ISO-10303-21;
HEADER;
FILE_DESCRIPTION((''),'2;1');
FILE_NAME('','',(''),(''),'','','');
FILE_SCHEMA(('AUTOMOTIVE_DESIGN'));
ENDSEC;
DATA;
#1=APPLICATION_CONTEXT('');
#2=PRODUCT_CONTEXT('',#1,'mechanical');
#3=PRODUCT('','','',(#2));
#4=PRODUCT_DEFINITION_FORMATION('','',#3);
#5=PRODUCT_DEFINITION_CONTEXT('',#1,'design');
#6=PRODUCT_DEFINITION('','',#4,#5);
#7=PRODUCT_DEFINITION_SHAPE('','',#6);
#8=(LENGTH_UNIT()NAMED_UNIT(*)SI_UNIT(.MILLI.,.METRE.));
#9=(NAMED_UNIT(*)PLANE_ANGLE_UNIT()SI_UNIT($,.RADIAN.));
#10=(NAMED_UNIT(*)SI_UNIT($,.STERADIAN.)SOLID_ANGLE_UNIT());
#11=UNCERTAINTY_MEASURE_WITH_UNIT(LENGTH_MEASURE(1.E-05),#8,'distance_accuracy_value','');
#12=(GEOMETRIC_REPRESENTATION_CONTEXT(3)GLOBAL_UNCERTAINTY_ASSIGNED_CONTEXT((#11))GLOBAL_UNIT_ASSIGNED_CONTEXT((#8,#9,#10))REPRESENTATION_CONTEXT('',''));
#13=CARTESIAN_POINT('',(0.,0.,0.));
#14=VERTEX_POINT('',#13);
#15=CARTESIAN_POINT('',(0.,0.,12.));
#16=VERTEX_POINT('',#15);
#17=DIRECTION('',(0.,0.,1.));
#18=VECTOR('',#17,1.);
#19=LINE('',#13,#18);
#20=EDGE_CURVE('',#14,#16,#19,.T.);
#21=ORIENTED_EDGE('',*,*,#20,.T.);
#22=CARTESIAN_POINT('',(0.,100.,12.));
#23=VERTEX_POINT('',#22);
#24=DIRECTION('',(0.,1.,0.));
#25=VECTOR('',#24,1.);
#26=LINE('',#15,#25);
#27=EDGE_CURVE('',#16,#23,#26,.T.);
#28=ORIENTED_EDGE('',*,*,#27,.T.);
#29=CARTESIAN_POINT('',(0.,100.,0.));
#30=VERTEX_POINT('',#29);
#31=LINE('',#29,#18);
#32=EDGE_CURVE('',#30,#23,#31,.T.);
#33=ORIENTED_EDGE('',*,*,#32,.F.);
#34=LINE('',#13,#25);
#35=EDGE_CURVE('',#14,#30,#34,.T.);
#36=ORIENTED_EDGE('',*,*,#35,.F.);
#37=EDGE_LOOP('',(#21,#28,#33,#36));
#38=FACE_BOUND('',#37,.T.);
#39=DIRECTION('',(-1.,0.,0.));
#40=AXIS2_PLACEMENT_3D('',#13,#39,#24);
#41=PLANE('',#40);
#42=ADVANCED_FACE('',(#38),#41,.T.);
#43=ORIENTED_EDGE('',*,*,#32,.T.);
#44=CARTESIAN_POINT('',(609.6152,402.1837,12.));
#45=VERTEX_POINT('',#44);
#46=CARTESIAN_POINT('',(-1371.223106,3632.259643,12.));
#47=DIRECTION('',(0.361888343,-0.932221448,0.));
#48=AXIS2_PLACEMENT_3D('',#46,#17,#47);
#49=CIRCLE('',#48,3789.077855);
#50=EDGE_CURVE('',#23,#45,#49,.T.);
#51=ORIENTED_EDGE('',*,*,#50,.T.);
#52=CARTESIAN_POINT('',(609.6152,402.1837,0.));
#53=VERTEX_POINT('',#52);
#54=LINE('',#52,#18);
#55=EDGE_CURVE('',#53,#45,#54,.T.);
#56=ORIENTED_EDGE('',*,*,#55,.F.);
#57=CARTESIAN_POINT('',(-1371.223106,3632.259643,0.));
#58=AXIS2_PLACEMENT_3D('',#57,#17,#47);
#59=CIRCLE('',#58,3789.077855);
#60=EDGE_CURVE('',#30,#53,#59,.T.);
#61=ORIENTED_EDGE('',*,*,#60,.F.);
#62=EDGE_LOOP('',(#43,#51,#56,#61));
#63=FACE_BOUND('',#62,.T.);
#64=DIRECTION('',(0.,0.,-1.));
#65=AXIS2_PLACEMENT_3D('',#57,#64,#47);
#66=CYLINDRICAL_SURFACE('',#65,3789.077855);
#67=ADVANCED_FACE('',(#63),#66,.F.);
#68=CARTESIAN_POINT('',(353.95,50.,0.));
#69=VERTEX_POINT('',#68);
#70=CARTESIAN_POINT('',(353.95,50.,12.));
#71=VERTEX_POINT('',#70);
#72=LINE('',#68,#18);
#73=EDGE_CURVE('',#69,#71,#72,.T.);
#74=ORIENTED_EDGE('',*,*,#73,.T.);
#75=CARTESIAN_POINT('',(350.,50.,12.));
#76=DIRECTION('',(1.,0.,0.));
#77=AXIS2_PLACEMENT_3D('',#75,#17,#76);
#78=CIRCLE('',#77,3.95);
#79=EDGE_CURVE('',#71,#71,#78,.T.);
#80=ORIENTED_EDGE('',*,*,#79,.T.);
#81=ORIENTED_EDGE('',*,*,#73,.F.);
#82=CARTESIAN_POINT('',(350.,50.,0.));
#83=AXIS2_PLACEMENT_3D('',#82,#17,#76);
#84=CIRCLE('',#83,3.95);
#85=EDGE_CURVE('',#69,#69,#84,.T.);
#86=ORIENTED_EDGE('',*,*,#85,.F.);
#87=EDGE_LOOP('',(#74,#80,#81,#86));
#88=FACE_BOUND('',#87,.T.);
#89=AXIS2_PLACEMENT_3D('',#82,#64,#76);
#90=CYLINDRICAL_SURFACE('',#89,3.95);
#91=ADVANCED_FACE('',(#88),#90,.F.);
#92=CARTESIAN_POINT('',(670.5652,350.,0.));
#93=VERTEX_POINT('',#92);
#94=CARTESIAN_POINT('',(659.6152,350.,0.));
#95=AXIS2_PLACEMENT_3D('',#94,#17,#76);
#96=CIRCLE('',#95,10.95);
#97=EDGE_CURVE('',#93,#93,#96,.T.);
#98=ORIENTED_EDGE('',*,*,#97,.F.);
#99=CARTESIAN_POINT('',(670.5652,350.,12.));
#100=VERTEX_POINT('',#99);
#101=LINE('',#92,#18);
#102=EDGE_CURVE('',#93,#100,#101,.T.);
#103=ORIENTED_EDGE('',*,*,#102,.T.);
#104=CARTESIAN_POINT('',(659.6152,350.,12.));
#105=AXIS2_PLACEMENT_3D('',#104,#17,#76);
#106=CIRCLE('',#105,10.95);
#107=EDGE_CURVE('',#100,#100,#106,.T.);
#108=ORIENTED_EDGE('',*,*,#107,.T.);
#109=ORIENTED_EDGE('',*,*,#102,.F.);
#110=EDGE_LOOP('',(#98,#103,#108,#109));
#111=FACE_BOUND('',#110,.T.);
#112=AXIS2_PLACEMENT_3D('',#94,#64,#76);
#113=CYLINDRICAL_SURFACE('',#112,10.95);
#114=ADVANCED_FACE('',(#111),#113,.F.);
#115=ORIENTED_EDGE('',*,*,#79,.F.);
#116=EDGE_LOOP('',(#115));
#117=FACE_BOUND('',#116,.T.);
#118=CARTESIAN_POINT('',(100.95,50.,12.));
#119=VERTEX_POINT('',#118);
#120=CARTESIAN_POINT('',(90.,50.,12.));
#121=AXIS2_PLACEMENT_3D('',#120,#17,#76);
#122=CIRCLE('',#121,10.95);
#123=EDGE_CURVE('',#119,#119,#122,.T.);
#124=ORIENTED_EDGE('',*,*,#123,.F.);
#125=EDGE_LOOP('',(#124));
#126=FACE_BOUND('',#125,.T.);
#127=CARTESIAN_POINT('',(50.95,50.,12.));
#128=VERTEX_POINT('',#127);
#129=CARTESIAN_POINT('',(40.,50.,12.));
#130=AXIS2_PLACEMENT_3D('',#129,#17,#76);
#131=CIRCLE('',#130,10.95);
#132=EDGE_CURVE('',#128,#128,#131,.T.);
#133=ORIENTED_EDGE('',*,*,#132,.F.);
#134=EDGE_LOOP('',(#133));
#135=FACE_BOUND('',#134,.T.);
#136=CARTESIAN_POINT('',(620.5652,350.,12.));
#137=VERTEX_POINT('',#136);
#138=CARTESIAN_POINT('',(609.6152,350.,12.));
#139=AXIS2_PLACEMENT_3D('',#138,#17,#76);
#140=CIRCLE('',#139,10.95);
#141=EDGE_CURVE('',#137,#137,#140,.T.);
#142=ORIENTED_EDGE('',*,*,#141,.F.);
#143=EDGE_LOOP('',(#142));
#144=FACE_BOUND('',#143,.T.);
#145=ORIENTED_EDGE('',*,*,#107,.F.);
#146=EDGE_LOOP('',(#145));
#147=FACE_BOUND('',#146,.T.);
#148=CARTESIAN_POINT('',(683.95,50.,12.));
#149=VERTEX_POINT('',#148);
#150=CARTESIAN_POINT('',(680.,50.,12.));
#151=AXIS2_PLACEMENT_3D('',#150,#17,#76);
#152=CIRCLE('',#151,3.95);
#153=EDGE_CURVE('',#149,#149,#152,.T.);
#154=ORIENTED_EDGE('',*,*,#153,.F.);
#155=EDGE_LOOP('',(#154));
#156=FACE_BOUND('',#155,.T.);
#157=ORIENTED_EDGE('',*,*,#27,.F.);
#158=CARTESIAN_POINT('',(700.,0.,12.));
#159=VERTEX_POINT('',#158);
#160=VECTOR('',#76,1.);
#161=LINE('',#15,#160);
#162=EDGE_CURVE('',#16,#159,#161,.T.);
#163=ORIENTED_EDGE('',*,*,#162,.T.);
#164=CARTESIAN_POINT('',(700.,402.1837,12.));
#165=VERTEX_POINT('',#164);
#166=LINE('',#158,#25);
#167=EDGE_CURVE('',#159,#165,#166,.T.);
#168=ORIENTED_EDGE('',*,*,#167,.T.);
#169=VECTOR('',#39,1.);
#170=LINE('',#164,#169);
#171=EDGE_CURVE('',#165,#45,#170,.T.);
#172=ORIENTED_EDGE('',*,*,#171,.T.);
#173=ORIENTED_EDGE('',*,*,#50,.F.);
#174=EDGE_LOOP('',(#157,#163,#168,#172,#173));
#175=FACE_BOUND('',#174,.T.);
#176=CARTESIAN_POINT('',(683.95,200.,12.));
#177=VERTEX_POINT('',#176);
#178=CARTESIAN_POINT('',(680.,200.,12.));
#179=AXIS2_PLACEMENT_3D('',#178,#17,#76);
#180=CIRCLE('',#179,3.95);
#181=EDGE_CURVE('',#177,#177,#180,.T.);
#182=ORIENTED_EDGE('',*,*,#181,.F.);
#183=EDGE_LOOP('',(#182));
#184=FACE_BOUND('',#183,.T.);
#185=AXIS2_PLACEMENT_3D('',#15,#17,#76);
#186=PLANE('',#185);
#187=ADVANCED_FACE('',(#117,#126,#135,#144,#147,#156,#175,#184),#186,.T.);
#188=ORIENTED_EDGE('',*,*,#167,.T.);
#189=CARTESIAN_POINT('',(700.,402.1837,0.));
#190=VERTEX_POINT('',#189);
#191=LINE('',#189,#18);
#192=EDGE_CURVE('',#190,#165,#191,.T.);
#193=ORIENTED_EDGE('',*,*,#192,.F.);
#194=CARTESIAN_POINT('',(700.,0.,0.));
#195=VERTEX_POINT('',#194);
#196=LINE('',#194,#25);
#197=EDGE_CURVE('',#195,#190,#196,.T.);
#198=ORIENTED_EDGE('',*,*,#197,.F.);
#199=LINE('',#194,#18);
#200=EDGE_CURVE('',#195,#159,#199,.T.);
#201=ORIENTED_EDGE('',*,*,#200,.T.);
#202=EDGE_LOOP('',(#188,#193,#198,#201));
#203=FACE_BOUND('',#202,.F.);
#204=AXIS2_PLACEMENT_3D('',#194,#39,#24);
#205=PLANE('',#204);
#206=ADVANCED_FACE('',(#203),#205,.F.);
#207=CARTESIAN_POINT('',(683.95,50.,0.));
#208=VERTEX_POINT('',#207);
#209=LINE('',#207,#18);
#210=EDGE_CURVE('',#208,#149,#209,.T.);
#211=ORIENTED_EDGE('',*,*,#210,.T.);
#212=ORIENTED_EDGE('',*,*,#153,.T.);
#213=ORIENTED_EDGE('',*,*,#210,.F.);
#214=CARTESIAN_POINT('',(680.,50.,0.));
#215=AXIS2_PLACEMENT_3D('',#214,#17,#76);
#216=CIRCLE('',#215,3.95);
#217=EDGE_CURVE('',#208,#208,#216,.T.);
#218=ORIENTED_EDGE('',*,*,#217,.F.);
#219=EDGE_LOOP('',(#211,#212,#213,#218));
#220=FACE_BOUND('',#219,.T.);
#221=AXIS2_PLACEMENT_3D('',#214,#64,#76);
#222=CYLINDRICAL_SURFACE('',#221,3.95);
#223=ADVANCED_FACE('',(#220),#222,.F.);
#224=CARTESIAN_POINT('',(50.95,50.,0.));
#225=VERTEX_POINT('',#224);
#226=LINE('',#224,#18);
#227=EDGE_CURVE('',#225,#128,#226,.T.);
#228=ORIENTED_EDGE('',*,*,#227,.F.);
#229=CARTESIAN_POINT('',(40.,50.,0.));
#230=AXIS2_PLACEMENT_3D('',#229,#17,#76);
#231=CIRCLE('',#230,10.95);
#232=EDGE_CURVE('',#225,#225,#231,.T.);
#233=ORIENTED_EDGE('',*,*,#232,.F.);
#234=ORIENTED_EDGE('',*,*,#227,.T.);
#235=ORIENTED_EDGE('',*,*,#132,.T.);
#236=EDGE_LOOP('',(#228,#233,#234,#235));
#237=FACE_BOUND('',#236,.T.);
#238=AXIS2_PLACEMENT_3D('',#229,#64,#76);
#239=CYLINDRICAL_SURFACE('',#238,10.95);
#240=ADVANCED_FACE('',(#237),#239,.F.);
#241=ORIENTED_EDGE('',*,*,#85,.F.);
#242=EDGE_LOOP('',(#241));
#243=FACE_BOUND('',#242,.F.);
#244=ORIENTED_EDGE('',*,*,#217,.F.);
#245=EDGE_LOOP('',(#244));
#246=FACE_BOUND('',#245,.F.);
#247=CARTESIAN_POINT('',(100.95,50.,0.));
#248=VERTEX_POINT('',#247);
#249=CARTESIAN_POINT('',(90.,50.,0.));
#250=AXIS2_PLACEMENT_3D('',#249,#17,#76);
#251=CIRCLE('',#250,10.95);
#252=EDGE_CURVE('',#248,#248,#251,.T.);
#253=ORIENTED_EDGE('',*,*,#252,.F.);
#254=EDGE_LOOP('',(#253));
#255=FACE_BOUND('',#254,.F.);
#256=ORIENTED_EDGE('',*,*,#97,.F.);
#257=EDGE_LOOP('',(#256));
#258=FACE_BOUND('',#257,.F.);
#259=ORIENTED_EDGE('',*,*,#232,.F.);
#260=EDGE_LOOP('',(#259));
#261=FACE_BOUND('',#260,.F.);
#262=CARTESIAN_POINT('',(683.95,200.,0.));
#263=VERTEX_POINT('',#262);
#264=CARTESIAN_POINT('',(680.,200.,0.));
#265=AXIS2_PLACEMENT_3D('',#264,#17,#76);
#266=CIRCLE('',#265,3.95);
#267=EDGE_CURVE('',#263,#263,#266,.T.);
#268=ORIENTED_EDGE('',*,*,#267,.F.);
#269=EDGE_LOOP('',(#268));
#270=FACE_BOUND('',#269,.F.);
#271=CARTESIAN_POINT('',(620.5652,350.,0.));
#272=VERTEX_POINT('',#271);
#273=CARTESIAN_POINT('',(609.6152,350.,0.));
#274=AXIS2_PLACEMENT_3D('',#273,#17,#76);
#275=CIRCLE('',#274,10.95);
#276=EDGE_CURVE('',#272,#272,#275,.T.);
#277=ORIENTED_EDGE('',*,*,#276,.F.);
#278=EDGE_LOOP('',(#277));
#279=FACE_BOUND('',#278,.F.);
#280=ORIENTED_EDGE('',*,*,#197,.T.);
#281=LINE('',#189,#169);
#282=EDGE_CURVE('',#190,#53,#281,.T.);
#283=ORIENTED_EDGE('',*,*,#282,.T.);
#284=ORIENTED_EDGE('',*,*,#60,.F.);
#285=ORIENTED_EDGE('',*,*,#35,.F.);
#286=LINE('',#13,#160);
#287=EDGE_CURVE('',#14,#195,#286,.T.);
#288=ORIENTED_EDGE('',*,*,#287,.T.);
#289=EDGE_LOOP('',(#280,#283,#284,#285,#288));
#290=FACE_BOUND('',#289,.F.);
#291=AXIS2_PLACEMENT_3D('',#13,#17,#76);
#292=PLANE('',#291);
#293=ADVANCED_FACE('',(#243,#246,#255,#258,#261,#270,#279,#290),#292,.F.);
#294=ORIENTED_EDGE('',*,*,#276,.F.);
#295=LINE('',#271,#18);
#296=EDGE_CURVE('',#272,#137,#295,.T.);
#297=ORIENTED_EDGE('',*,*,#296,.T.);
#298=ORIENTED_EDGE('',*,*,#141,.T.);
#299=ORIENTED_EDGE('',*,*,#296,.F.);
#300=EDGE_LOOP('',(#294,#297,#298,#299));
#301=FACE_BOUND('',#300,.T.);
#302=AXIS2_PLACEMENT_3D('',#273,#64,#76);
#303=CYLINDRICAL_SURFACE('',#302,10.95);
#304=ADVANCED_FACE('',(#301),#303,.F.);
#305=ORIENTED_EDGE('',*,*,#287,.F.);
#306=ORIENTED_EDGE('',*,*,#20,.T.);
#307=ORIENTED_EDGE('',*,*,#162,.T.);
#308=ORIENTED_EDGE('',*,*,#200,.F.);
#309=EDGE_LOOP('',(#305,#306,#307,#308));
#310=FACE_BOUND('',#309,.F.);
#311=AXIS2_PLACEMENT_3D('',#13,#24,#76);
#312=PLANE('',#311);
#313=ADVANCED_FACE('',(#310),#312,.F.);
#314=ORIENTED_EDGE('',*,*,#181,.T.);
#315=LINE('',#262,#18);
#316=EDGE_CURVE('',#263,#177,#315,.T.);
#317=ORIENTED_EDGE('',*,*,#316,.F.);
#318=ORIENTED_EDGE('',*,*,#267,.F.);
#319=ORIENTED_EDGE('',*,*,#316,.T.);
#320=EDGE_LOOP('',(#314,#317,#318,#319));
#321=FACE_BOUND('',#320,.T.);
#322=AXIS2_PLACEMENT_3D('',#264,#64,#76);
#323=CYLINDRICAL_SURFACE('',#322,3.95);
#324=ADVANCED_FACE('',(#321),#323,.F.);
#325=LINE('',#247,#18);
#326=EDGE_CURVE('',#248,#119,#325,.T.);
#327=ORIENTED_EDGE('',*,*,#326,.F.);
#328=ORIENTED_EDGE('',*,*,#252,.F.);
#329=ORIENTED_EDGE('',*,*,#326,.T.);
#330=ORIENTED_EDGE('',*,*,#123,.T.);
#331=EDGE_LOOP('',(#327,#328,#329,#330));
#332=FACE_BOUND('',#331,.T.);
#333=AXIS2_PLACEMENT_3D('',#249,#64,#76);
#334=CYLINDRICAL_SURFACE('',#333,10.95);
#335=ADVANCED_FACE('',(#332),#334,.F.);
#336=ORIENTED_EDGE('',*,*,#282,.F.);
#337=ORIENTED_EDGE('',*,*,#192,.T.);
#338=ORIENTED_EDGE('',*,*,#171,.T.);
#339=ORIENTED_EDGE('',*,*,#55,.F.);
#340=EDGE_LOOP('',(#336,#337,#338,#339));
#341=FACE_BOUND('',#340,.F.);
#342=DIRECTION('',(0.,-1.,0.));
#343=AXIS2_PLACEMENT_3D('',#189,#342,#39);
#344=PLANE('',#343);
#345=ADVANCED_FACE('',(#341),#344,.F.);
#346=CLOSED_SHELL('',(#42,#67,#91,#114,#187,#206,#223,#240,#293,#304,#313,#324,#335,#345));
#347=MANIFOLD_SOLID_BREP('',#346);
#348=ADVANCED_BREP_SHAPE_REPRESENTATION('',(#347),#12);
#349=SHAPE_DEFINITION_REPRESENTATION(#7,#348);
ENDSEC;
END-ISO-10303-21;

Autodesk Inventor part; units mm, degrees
ref_plane "YZ Plane" through (0, 0, 0) normal (1, 0, 0) x (0, 1, 0)
ref_plane "XZ Plane" through (0, 0, 0) normal (0, 1, 0) x (-1, 0, 0)
ref_plane "XY Plane" through (0, 0, 0) normal (0, 0, 1) x (1, 0, 0)
sketch "Sketch1" plane through (0, 0, 0) normal (0, 0, 1) x (1, 0, 0)
  line L0 (0, 0) -> (700, 0)
  line L1 (0, 0) -> (0, 100)
  circle A0 centre (40, 50) radius 10.95
  circle A1 centre (90, 50) radius 10.95
  circle A2 centre (609.6152, 350) radius 10.95
  circle A3 centre (659.6152, 350) radius 10.95
  line L2 (700, 0) -> (700, 402.1837)
  line L3 (700, 402.1837) -> (609.6152, 402.1837)
  arc A4 (0, 100) -> (609.6152, 402.1837) centre (-1371.2256, 3632.2653) ccw
  circle A5 centre (350, 50) radius 3.95
  circle A6 centre (680, 50) radius 3.95
  circle A7 centre (680, 200) radius 3.95
  dimension "d0" = 700
  dimension "d1" = 100
  dimension "d3" = 21.9
  dimension "d5" = 21.9
  dimension "d9" = 21.9
  dimension "d10" = 21.9
  dimension "d14" = 7.9
  dimension "d17" = 7.9
  dimension "d18" = 7.9
extrude "Plate1" add sketch "Sketch1" along normal blind 12
equation "\"d19\" = Thickness"
equation "\"BendRadius\" = Thickness"
equation "\"BendReliefWidth\" = Thickness"
equation "\"BendReliefDepth\" = 0.5 * Thickness"
equation "\"CornerReliefSize\" = 4 * Thickness"
equation "\"MinimumRemnant\" = 2 * Thickness"
equation "\"TransitionRadius\" = BendRadius"
equation "\"JacobiRadiusSize\" = BendRadius"
equation "\"GapSize\" = Thickness"
equation "\"Thickness\" = 12"
properties part number "Laser Print For Left Frame with support"
